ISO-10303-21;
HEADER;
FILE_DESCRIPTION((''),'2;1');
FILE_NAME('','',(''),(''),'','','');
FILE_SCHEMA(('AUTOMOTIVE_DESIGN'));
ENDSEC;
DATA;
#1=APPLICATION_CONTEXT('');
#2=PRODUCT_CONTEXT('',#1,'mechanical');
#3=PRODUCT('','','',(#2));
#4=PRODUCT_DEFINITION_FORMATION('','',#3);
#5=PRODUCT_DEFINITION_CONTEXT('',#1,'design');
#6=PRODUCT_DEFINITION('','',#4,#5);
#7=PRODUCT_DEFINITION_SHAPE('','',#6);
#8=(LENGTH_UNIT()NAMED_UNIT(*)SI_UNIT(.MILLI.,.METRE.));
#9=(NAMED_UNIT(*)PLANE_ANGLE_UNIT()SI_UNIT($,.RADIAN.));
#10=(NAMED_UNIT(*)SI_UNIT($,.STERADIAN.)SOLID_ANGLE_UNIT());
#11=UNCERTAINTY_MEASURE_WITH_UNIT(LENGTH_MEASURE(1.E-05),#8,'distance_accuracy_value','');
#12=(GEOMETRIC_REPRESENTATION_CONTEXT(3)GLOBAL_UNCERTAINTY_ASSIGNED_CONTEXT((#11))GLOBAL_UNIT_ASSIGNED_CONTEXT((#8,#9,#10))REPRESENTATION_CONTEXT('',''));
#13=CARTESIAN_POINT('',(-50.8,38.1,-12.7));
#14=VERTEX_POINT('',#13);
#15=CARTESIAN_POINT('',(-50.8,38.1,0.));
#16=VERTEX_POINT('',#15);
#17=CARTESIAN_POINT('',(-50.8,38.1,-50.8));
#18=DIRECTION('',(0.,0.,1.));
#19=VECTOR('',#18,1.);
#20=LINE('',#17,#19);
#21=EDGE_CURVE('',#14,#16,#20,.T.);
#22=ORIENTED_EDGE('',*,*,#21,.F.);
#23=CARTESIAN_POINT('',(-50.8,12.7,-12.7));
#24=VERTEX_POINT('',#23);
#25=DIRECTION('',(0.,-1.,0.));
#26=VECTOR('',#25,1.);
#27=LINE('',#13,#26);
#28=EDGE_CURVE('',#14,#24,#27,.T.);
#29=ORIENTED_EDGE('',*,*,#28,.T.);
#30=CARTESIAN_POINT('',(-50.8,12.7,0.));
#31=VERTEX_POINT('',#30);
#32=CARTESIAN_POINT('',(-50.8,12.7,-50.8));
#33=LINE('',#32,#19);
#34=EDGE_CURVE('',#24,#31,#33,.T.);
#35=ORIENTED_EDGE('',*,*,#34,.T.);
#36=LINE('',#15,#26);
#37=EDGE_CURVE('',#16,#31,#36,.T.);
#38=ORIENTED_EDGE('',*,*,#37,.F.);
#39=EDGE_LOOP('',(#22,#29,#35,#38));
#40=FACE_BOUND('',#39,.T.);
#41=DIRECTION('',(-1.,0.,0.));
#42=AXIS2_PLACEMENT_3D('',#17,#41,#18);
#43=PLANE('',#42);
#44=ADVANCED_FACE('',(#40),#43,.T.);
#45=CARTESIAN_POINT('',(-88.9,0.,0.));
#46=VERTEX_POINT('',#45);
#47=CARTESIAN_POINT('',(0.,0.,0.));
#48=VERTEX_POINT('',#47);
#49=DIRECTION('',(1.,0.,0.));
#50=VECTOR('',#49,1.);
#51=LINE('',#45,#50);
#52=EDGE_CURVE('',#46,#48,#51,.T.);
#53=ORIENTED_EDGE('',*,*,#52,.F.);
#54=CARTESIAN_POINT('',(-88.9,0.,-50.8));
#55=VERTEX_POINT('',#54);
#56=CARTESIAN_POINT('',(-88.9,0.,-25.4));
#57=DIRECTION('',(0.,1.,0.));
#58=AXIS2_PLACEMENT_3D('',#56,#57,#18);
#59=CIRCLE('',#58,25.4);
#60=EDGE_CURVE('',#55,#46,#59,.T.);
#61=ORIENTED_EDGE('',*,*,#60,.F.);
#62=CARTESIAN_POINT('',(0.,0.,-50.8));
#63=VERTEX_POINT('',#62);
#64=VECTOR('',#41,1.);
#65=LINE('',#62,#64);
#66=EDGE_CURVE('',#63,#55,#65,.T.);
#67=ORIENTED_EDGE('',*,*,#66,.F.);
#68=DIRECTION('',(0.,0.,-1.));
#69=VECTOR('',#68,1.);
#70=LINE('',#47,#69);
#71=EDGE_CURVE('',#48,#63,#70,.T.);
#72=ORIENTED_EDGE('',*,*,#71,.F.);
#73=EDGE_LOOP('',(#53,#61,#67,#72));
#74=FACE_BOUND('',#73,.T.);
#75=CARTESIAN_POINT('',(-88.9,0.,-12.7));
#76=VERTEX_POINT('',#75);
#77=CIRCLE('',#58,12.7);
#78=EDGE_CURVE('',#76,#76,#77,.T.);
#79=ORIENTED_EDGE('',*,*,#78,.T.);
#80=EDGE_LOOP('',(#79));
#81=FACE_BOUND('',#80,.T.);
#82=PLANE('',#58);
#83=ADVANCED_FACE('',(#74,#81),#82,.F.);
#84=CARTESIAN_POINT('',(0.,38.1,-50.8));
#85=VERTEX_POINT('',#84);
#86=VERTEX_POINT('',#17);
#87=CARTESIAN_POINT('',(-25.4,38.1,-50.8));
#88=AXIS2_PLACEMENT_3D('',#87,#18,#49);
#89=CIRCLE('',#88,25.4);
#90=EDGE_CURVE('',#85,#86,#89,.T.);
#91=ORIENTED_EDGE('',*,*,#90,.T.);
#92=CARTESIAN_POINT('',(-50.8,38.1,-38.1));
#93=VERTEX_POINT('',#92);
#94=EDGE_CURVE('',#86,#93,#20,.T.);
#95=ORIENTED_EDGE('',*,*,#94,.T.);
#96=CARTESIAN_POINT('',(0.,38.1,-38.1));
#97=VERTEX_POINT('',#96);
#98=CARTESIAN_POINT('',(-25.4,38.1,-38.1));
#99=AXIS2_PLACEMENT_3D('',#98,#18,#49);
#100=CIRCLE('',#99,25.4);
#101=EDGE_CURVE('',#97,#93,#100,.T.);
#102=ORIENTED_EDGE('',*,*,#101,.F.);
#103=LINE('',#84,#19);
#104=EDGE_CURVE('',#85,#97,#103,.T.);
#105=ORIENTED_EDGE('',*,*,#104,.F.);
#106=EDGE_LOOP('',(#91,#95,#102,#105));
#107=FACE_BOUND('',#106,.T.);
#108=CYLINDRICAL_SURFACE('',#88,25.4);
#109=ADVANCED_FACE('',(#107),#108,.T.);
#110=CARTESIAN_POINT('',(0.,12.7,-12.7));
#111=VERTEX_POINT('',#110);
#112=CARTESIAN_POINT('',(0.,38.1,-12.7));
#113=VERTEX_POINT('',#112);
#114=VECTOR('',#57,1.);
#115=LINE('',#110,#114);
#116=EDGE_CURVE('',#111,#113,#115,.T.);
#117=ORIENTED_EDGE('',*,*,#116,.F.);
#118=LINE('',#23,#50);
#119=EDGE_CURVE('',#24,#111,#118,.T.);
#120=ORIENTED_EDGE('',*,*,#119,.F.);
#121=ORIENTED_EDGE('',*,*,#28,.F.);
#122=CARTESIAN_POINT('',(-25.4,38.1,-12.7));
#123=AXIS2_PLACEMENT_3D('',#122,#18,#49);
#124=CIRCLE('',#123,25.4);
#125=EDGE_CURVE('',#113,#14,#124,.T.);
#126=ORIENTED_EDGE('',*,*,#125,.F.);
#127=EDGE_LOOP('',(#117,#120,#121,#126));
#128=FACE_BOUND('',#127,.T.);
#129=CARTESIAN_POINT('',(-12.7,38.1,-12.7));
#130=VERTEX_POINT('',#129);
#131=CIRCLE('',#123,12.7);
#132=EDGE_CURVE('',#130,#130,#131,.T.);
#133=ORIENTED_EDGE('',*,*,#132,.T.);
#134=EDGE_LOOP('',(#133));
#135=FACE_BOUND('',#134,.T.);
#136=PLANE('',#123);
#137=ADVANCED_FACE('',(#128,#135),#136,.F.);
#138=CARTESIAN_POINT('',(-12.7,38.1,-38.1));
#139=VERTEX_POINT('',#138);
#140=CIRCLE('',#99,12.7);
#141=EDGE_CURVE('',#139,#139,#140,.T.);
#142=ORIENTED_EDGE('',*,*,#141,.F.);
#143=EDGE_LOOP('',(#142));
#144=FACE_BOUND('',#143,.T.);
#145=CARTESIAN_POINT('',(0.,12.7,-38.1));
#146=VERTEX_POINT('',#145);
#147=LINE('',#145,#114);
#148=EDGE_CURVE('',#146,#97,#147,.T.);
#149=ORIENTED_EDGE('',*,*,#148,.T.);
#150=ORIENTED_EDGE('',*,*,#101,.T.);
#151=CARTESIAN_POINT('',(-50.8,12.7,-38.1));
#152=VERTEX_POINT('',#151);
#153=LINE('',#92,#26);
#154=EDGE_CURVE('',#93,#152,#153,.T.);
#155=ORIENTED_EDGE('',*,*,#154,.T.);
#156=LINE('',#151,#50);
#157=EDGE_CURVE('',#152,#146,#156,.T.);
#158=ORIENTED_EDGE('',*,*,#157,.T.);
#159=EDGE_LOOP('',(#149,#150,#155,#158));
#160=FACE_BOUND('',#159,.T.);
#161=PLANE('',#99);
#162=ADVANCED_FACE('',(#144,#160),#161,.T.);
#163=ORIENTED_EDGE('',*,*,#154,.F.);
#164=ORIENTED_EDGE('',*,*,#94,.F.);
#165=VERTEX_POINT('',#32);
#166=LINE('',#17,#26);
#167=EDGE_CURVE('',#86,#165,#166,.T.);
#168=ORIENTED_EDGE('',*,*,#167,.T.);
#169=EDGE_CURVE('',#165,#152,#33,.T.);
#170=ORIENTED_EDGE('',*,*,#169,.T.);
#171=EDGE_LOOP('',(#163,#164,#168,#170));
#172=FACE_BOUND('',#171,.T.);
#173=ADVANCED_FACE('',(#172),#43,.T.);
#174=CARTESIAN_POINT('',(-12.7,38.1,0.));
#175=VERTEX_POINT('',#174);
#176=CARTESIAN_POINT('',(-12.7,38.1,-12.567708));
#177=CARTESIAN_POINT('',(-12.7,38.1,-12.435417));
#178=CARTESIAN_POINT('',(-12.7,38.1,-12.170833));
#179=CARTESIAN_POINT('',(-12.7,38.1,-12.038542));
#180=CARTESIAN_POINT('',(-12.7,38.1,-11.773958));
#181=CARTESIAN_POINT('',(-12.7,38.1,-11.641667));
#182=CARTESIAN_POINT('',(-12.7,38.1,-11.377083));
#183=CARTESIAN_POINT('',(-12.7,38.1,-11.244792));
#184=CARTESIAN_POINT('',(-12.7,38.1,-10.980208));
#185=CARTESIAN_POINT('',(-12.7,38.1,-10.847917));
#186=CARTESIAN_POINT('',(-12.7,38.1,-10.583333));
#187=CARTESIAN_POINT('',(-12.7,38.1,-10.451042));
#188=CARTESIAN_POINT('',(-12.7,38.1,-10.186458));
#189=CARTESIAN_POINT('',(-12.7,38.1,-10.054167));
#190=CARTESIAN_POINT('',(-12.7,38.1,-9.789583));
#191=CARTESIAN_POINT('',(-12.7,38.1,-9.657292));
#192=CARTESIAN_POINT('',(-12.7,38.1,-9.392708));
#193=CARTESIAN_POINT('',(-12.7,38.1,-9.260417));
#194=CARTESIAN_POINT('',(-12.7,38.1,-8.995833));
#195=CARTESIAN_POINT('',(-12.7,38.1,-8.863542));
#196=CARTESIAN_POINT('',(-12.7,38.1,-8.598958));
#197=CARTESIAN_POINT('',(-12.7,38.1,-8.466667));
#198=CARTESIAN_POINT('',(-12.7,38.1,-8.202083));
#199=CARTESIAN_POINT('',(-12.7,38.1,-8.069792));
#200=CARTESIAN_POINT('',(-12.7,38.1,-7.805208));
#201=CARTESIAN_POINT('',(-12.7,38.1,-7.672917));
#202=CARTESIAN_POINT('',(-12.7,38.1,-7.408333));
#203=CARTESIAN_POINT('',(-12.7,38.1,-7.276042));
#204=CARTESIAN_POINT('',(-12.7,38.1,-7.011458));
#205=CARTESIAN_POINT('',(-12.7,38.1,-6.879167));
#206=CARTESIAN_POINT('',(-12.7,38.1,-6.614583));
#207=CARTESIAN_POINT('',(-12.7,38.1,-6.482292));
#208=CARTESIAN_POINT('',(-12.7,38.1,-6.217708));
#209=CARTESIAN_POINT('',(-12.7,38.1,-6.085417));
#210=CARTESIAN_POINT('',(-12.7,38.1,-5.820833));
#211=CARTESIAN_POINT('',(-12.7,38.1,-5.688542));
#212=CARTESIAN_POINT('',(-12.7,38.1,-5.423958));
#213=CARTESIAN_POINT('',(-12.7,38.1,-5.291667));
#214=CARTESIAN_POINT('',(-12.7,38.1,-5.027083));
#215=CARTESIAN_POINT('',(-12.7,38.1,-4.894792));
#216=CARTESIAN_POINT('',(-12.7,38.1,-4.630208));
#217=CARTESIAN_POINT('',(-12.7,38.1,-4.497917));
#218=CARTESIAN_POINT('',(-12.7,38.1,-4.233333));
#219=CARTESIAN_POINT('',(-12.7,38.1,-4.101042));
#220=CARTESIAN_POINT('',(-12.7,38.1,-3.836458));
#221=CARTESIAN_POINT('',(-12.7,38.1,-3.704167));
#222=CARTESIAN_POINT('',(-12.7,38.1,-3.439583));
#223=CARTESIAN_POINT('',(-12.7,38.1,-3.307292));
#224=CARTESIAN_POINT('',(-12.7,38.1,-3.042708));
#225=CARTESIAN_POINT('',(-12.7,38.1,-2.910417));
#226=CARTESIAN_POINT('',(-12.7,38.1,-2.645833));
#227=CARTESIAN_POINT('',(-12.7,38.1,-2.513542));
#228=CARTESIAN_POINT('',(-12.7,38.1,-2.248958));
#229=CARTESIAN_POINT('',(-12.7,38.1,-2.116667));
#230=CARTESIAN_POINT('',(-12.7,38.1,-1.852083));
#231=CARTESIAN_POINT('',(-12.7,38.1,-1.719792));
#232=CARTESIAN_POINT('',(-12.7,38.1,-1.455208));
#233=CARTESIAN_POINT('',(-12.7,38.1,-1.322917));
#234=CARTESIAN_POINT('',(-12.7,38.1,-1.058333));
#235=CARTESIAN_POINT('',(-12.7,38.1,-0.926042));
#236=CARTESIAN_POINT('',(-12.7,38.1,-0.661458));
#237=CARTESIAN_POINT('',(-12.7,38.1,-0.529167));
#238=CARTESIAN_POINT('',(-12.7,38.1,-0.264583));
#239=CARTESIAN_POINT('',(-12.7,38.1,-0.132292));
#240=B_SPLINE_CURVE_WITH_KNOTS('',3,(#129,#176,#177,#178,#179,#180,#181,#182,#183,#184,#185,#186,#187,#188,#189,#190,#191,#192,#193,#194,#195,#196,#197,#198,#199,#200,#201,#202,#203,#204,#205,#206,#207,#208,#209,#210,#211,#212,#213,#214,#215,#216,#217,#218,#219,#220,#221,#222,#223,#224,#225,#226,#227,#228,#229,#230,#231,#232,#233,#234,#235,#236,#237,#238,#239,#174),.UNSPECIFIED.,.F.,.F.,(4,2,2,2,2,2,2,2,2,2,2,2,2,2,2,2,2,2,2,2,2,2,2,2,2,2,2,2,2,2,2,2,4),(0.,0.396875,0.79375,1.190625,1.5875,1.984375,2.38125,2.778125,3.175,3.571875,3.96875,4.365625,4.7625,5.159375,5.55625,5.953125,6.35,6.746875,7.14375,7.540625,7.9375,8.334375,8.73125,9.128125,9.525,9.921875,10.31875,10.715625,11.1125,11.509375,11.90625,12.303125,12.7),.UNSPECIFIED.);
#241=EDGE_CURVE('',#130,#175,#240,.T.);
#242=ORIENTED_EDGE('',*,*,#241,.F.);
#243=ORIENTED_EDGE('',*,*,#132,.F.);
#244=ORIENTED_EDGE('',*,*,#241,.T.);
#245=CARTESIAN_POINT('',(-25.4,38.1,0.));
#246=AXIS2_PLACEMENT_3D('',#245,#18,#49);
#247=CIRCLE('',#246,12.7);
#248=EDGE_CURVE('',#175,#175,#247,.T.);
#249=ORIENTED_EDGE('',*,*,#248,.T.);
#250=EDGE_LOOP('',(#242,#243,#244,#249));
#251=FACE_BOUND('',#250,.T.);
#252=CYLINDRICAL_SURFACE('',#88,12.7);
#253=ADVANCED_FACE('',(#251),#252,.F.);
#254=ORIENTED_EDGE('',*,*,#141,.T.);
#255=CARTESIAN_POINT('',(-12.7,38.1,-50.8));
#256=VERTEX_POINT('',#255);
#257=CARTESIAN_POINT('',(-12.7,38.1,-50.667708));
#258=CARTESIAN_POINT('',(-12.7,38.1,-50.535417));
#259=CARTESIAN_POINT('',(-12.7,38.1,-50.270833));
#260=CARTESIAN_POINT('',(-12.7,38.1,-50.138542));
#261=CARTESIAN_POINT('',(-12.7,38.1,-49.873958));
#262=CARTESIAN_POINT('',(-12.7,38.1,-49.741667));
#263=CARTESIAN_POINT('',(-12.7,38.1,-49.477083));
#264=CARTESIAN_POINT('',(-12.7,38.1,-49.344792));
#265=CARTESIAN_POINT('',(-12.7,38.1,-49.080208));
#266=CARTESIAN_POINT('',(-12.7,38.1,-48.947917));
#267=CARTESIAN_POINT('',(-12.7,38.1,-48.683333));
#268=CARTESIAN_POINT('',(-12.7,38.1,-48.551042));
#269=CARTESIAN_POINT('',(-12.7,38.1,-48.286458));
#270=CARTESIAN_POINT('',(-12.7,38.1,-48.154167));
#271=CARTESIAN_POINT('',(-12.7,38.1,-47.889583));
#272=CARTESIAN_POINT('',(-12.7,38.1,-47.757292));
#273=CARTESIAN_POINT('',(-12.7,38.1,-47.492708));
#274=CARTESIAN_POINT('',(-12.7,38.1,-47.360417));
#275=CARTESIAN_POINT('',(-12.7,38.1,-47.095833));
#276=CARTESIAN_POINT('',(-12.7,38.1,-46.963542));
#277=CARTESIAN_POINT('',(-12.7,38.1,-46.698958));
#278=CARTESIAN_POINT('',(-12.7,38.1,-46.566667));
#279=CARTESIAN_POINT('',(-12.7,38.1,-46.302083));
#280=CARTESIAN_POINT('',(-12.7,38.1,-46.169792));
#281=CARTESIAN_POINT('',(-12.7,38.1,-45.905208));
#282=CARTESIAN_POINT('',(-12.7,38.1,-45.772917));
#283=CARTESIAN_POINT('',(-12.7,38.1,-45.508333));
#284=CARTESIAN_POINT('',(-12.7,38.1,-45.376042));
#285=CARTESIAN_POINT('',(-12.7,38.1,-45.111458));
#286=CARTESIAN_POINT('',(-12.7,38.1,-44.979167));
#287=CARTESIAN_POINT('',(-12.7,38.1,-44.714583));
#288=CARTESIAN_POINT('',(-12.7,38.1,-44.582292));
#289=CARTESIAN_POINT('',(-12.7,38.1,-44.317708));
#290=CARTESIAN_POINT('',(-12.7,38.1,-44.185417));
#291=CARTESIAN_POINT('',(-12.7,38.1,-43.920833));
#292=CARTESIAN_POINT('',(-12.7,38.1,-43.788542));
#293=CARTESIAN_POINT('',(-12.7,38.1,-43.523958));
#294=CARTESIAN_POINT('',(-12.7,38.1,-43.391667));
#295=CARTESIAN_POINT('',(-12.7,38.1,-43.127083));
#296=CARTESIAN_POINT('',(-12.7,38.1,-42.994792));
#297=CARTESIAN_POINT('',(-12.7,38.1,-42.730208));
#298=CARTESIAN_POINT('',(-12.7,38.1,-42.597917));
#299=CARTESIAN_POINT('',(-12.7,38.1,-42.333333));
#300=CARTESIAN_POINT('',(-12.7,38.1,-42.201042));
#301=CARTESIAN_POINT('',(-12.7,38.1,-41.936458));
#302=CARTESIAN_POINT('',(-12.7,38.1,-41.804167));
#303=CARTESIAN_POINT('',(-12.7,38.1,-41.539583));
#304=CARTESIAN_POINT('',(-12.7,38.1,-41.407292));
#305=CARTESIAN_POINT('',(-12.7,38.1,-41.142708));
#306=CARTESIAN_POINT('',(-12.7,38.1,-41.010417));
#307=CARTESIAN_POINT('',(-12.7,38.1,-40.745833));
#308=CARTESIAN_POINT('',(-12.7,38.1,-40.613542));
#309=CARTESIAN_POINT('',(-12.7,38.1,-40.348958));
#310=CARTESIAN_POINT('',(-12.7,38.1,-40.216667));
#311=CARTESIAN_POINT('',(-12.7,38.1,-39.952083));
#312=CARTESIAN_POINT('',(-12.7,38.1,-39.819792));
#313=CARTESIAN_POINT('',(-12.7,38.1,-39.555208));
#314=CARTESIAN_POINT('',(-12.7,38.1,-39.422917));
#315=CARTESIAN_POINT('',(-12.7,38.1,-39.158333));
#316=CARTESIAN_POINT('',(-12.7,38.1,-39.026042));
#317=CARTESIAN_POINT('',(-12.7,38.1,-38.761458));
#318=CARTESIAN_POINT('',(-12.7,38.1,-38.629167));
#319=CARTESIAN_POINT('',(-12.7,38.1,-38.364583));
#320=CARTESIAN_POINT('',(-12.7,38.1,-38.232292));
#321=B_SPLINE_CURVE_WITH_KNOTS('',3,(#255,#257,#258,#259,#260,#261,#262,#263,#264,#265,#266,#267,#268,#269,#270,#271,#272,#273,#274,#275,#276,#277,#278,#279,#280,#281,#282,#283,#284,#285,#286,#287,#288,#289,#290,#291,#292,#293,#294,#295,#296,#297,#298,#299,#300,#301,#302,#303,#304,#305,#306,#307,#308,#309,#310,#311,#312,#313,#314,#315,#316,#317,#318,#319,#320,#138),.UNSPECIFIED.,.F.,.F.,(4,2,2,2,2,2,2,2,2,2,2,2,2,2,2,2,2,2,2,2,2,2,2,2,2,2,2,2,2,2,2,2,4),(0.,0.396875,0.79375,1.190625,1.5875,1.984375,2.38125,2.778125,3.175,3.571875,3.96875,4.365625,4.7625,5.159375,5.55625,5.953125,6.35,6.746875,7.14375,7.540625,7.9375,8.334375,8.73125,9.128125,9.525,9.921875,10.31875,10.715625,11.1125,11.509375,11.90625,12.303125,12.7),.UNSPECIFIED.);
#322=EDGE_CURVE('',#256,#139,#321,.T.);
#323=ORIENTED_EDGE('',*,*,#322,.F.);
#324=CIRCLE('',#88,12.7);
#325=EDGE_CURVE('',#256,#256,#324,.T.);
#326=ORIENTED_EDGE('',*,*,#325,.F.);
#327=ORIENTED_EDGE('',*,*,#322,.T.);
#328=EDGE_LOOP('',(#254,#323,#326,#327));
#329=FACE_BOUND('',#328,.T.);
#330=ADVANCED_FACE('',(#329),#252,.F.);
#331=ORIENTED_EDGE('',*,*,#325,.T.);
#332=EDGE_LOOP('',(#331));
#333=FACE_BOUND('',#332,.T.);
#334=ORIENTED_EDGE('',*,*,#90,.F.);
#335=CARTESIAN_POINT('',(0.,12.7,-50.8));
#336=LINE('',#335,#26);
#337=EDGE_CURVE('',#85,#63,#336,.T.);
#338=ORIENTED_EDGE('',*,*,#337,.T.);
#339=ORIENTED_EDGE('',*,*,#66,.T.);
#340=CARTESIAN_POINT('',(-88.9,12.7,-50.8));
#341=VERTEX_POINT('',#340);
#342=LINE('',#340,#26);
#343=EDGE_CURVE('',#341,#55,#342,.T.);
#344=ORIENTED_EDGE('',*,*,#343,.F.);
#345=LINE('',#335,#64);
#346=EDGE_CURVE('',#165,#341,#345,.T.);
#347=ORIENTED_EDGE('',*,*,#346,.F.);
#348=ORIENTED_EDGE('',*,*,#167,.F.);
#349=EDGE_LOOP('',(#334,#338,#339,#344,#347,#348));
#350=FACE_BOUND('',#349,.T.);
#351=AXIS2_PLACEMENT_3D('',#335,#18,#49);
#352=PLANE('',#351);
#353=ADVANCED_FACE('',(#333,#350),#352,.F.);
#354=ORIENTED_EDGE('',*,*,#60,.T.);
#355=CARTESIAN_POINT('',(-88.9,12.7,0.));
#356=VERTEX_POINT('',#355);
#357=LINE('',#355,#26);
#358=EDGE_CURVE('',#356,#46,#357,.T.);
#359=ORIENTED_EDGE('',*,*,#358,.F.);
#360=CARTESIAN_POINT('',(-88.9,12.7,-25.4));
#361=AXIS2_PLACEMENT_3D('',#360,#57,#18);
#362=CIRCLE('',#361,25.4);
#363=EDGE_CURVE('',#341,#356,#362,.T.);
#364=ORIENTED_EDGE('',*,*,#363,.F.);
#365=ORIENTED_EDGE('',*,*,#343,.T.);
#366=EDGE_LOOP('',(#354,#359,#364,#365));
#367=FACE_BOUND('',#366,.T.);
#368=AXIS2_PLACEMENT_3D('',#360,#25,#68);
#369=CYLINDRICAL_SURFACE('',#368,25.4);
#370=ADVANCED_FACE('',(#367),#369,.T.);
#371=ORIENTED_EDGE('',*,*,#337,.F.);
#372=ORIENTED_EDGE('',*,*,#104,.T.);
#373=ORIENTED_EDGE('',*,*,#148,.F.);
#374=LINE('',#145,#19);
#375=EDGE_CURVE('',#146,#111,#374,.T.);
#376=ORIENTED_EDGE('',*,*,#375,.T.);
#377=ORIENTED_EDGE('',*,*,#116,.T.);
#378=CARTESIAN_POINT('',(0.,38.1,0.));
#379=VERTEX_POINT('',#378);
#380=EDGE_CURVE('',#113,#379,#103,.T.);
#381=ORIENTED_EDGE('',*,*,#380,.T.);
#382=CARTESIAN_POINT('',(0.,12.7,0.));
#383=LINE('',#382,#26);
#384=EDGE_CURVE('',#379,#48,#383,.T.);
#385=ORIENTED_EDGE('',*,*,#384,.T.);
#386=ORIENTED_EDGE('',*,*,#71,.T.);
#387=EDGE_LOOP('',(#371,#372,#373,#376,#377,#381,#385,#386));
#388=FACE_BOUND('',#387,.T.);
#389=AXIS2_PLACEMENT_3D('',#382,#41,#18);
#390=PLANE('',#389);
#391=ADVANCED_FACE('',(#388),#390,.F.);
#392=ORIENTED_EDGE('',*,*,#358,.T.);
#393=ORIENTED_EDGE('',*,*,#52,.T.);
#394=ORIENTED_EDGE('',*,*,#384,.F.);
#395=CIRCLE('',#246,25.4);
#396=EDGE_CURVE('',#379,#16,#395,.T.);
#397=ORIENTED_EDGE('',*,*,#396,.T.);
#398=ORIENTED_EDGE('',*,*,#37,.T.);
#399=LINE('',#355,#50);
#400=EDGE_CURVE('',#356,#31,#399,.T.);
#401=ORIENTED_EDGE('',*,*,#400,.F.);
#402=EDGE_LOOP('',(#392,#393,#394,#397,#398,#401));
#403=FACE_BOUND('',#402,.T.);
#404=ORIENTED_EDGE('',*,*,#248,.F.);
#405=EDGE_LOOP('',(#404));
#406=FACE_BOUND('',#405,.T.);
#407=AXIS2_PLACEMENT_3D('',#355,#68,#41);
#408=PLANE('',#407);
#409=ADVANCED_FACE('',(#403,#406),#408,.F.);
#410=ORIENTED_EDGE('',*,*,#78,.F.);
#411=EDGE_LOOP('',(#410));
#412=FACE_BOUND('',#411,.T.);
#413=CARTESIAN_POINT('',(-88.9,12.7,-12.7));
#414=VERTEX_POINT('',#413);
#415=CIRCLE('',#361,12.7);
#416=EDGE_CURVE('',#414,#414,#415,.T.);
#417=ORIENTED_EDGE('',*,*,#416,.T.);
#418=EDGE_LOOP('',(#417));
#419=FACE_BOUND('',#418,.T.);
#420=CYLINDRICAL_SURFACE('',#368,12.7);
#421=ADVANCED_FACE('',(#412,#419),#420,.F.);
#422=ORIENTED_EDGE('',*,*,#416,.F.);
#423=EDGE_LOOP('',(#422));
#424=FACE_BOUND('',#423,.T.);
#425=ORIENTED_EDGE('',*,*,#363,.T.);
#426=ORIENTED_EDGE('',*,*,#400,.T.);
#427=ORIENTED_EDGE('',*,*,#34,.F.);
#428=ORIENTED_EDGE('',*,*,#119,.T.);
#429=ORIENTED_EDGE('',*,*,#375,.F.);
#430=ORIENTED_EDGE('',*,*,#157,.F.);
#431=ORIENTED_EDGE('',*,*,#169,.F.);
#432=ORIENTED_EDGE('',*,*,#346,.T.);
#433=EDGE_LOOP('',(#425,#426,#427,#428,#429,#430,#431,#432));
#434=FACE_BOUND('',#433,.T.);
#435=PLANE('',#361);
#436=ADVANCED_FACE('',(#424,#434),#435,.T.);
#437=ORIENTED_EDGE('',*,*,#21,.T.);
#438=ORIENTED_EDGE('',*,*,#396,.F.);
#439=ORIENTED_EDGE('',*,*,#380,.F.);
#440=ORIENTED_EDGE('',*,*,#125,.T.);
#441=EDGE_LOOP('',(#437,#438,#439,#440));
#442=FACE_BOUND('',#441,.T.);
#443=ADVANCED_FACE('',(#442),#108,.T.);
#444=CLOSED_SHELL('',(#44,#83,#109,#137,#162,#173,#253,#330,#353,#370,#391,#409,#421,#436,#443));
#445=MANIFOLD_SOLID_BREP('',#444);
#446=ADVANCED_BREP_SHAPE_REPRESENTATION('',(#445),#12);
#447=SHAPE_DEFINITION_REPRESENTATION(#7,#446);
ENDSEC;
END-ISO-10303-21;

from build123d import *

# Parameters (mm, degrees)
CROQUIS2_R              = 12.7
SALIENTE_EXTRUIR1_DEPTH = 12.7
CROQUIS4_R              = 12.7
SALIENTE_EXTRUIR4_DEPTH = 50.8
CORTAR_EXTRUIR1_START   = -12.7
CROQUIS4_5_R            = 12.7
CORTAR_EXTRUIR1_DEPTH   = 25.4


with BuildPart() as part:
    # Croquis2 → Saliente-Extruir1 (new body)
    with BuildSketch(Plane(origin=(0, 0, 0), x_dir=(1, 0, 0), z_dir=(0, 1, 0))):
        with BuildLine():
            Line((0, 0), (0, 50.8))
            Line((0, 50.8), (-88.9, 50.8))
            ThreePointArc((-88.9, 50.8), (-114.3, 25.4), (-88.9, 0))
            Line((-88.9, 0), (0, 0))
        make_face()
        with Locations(Location((-88.9, 25.4, 0), (0, 0, 270))):
            Circle(CROQUIS2_R, mode=Mode.SUBTRACT)
    extrude(amount=SALIENTE_EXTRUIR1_DEPTH)

    # Croquis4 → Saliente-Extruir4 (add, through all)
    with BuildSketch(Plane.XY):
        with BuildLine():
            Line((0, 12.7), (0, 38.1))
            ThreePointArc((0, 38.1), (-25.4, 63.5), (-50.8, 38.1))
            Line((-50.8, 38.1), (-50.8, 12.7))
            Line((-50.8, 12.7), (0, 12.7))
        make_face()
        with Locations((-25.4, 38.1)):
            Circle(CROQUIS4_R, mode=Mode.SUBTRACT)
    extrude(amount=-SALIENTE_EXTRUIR4_DEPTH)

    # Croquis4<5> → Cortar-Extruir1 (cut)
    with BuildSketch(Plane.XY.offset(CORTAR_EXTRUIR1_START)):
        with BuildLine():
            Line((0, 12.7), (0, 38.1))
            ThreePointArc((0, 38.1), (-25.4, 63.5), (-50.8, 38.1))
            Line((-50.8, 38.1), (-50.8, 12.7))
            Line((-50.8, 12.7), (0, 12.7))
        make_face()
        with Locations((-25.4, 38.1)):
            Circle(CROQUIS4_5_R, mode=Mode.SUBTRACT)
    extrude(amount=-CORTAR_EXTRUIR1_DEPTH, mode=Mode.SUBTRACT)


solid = part.part
